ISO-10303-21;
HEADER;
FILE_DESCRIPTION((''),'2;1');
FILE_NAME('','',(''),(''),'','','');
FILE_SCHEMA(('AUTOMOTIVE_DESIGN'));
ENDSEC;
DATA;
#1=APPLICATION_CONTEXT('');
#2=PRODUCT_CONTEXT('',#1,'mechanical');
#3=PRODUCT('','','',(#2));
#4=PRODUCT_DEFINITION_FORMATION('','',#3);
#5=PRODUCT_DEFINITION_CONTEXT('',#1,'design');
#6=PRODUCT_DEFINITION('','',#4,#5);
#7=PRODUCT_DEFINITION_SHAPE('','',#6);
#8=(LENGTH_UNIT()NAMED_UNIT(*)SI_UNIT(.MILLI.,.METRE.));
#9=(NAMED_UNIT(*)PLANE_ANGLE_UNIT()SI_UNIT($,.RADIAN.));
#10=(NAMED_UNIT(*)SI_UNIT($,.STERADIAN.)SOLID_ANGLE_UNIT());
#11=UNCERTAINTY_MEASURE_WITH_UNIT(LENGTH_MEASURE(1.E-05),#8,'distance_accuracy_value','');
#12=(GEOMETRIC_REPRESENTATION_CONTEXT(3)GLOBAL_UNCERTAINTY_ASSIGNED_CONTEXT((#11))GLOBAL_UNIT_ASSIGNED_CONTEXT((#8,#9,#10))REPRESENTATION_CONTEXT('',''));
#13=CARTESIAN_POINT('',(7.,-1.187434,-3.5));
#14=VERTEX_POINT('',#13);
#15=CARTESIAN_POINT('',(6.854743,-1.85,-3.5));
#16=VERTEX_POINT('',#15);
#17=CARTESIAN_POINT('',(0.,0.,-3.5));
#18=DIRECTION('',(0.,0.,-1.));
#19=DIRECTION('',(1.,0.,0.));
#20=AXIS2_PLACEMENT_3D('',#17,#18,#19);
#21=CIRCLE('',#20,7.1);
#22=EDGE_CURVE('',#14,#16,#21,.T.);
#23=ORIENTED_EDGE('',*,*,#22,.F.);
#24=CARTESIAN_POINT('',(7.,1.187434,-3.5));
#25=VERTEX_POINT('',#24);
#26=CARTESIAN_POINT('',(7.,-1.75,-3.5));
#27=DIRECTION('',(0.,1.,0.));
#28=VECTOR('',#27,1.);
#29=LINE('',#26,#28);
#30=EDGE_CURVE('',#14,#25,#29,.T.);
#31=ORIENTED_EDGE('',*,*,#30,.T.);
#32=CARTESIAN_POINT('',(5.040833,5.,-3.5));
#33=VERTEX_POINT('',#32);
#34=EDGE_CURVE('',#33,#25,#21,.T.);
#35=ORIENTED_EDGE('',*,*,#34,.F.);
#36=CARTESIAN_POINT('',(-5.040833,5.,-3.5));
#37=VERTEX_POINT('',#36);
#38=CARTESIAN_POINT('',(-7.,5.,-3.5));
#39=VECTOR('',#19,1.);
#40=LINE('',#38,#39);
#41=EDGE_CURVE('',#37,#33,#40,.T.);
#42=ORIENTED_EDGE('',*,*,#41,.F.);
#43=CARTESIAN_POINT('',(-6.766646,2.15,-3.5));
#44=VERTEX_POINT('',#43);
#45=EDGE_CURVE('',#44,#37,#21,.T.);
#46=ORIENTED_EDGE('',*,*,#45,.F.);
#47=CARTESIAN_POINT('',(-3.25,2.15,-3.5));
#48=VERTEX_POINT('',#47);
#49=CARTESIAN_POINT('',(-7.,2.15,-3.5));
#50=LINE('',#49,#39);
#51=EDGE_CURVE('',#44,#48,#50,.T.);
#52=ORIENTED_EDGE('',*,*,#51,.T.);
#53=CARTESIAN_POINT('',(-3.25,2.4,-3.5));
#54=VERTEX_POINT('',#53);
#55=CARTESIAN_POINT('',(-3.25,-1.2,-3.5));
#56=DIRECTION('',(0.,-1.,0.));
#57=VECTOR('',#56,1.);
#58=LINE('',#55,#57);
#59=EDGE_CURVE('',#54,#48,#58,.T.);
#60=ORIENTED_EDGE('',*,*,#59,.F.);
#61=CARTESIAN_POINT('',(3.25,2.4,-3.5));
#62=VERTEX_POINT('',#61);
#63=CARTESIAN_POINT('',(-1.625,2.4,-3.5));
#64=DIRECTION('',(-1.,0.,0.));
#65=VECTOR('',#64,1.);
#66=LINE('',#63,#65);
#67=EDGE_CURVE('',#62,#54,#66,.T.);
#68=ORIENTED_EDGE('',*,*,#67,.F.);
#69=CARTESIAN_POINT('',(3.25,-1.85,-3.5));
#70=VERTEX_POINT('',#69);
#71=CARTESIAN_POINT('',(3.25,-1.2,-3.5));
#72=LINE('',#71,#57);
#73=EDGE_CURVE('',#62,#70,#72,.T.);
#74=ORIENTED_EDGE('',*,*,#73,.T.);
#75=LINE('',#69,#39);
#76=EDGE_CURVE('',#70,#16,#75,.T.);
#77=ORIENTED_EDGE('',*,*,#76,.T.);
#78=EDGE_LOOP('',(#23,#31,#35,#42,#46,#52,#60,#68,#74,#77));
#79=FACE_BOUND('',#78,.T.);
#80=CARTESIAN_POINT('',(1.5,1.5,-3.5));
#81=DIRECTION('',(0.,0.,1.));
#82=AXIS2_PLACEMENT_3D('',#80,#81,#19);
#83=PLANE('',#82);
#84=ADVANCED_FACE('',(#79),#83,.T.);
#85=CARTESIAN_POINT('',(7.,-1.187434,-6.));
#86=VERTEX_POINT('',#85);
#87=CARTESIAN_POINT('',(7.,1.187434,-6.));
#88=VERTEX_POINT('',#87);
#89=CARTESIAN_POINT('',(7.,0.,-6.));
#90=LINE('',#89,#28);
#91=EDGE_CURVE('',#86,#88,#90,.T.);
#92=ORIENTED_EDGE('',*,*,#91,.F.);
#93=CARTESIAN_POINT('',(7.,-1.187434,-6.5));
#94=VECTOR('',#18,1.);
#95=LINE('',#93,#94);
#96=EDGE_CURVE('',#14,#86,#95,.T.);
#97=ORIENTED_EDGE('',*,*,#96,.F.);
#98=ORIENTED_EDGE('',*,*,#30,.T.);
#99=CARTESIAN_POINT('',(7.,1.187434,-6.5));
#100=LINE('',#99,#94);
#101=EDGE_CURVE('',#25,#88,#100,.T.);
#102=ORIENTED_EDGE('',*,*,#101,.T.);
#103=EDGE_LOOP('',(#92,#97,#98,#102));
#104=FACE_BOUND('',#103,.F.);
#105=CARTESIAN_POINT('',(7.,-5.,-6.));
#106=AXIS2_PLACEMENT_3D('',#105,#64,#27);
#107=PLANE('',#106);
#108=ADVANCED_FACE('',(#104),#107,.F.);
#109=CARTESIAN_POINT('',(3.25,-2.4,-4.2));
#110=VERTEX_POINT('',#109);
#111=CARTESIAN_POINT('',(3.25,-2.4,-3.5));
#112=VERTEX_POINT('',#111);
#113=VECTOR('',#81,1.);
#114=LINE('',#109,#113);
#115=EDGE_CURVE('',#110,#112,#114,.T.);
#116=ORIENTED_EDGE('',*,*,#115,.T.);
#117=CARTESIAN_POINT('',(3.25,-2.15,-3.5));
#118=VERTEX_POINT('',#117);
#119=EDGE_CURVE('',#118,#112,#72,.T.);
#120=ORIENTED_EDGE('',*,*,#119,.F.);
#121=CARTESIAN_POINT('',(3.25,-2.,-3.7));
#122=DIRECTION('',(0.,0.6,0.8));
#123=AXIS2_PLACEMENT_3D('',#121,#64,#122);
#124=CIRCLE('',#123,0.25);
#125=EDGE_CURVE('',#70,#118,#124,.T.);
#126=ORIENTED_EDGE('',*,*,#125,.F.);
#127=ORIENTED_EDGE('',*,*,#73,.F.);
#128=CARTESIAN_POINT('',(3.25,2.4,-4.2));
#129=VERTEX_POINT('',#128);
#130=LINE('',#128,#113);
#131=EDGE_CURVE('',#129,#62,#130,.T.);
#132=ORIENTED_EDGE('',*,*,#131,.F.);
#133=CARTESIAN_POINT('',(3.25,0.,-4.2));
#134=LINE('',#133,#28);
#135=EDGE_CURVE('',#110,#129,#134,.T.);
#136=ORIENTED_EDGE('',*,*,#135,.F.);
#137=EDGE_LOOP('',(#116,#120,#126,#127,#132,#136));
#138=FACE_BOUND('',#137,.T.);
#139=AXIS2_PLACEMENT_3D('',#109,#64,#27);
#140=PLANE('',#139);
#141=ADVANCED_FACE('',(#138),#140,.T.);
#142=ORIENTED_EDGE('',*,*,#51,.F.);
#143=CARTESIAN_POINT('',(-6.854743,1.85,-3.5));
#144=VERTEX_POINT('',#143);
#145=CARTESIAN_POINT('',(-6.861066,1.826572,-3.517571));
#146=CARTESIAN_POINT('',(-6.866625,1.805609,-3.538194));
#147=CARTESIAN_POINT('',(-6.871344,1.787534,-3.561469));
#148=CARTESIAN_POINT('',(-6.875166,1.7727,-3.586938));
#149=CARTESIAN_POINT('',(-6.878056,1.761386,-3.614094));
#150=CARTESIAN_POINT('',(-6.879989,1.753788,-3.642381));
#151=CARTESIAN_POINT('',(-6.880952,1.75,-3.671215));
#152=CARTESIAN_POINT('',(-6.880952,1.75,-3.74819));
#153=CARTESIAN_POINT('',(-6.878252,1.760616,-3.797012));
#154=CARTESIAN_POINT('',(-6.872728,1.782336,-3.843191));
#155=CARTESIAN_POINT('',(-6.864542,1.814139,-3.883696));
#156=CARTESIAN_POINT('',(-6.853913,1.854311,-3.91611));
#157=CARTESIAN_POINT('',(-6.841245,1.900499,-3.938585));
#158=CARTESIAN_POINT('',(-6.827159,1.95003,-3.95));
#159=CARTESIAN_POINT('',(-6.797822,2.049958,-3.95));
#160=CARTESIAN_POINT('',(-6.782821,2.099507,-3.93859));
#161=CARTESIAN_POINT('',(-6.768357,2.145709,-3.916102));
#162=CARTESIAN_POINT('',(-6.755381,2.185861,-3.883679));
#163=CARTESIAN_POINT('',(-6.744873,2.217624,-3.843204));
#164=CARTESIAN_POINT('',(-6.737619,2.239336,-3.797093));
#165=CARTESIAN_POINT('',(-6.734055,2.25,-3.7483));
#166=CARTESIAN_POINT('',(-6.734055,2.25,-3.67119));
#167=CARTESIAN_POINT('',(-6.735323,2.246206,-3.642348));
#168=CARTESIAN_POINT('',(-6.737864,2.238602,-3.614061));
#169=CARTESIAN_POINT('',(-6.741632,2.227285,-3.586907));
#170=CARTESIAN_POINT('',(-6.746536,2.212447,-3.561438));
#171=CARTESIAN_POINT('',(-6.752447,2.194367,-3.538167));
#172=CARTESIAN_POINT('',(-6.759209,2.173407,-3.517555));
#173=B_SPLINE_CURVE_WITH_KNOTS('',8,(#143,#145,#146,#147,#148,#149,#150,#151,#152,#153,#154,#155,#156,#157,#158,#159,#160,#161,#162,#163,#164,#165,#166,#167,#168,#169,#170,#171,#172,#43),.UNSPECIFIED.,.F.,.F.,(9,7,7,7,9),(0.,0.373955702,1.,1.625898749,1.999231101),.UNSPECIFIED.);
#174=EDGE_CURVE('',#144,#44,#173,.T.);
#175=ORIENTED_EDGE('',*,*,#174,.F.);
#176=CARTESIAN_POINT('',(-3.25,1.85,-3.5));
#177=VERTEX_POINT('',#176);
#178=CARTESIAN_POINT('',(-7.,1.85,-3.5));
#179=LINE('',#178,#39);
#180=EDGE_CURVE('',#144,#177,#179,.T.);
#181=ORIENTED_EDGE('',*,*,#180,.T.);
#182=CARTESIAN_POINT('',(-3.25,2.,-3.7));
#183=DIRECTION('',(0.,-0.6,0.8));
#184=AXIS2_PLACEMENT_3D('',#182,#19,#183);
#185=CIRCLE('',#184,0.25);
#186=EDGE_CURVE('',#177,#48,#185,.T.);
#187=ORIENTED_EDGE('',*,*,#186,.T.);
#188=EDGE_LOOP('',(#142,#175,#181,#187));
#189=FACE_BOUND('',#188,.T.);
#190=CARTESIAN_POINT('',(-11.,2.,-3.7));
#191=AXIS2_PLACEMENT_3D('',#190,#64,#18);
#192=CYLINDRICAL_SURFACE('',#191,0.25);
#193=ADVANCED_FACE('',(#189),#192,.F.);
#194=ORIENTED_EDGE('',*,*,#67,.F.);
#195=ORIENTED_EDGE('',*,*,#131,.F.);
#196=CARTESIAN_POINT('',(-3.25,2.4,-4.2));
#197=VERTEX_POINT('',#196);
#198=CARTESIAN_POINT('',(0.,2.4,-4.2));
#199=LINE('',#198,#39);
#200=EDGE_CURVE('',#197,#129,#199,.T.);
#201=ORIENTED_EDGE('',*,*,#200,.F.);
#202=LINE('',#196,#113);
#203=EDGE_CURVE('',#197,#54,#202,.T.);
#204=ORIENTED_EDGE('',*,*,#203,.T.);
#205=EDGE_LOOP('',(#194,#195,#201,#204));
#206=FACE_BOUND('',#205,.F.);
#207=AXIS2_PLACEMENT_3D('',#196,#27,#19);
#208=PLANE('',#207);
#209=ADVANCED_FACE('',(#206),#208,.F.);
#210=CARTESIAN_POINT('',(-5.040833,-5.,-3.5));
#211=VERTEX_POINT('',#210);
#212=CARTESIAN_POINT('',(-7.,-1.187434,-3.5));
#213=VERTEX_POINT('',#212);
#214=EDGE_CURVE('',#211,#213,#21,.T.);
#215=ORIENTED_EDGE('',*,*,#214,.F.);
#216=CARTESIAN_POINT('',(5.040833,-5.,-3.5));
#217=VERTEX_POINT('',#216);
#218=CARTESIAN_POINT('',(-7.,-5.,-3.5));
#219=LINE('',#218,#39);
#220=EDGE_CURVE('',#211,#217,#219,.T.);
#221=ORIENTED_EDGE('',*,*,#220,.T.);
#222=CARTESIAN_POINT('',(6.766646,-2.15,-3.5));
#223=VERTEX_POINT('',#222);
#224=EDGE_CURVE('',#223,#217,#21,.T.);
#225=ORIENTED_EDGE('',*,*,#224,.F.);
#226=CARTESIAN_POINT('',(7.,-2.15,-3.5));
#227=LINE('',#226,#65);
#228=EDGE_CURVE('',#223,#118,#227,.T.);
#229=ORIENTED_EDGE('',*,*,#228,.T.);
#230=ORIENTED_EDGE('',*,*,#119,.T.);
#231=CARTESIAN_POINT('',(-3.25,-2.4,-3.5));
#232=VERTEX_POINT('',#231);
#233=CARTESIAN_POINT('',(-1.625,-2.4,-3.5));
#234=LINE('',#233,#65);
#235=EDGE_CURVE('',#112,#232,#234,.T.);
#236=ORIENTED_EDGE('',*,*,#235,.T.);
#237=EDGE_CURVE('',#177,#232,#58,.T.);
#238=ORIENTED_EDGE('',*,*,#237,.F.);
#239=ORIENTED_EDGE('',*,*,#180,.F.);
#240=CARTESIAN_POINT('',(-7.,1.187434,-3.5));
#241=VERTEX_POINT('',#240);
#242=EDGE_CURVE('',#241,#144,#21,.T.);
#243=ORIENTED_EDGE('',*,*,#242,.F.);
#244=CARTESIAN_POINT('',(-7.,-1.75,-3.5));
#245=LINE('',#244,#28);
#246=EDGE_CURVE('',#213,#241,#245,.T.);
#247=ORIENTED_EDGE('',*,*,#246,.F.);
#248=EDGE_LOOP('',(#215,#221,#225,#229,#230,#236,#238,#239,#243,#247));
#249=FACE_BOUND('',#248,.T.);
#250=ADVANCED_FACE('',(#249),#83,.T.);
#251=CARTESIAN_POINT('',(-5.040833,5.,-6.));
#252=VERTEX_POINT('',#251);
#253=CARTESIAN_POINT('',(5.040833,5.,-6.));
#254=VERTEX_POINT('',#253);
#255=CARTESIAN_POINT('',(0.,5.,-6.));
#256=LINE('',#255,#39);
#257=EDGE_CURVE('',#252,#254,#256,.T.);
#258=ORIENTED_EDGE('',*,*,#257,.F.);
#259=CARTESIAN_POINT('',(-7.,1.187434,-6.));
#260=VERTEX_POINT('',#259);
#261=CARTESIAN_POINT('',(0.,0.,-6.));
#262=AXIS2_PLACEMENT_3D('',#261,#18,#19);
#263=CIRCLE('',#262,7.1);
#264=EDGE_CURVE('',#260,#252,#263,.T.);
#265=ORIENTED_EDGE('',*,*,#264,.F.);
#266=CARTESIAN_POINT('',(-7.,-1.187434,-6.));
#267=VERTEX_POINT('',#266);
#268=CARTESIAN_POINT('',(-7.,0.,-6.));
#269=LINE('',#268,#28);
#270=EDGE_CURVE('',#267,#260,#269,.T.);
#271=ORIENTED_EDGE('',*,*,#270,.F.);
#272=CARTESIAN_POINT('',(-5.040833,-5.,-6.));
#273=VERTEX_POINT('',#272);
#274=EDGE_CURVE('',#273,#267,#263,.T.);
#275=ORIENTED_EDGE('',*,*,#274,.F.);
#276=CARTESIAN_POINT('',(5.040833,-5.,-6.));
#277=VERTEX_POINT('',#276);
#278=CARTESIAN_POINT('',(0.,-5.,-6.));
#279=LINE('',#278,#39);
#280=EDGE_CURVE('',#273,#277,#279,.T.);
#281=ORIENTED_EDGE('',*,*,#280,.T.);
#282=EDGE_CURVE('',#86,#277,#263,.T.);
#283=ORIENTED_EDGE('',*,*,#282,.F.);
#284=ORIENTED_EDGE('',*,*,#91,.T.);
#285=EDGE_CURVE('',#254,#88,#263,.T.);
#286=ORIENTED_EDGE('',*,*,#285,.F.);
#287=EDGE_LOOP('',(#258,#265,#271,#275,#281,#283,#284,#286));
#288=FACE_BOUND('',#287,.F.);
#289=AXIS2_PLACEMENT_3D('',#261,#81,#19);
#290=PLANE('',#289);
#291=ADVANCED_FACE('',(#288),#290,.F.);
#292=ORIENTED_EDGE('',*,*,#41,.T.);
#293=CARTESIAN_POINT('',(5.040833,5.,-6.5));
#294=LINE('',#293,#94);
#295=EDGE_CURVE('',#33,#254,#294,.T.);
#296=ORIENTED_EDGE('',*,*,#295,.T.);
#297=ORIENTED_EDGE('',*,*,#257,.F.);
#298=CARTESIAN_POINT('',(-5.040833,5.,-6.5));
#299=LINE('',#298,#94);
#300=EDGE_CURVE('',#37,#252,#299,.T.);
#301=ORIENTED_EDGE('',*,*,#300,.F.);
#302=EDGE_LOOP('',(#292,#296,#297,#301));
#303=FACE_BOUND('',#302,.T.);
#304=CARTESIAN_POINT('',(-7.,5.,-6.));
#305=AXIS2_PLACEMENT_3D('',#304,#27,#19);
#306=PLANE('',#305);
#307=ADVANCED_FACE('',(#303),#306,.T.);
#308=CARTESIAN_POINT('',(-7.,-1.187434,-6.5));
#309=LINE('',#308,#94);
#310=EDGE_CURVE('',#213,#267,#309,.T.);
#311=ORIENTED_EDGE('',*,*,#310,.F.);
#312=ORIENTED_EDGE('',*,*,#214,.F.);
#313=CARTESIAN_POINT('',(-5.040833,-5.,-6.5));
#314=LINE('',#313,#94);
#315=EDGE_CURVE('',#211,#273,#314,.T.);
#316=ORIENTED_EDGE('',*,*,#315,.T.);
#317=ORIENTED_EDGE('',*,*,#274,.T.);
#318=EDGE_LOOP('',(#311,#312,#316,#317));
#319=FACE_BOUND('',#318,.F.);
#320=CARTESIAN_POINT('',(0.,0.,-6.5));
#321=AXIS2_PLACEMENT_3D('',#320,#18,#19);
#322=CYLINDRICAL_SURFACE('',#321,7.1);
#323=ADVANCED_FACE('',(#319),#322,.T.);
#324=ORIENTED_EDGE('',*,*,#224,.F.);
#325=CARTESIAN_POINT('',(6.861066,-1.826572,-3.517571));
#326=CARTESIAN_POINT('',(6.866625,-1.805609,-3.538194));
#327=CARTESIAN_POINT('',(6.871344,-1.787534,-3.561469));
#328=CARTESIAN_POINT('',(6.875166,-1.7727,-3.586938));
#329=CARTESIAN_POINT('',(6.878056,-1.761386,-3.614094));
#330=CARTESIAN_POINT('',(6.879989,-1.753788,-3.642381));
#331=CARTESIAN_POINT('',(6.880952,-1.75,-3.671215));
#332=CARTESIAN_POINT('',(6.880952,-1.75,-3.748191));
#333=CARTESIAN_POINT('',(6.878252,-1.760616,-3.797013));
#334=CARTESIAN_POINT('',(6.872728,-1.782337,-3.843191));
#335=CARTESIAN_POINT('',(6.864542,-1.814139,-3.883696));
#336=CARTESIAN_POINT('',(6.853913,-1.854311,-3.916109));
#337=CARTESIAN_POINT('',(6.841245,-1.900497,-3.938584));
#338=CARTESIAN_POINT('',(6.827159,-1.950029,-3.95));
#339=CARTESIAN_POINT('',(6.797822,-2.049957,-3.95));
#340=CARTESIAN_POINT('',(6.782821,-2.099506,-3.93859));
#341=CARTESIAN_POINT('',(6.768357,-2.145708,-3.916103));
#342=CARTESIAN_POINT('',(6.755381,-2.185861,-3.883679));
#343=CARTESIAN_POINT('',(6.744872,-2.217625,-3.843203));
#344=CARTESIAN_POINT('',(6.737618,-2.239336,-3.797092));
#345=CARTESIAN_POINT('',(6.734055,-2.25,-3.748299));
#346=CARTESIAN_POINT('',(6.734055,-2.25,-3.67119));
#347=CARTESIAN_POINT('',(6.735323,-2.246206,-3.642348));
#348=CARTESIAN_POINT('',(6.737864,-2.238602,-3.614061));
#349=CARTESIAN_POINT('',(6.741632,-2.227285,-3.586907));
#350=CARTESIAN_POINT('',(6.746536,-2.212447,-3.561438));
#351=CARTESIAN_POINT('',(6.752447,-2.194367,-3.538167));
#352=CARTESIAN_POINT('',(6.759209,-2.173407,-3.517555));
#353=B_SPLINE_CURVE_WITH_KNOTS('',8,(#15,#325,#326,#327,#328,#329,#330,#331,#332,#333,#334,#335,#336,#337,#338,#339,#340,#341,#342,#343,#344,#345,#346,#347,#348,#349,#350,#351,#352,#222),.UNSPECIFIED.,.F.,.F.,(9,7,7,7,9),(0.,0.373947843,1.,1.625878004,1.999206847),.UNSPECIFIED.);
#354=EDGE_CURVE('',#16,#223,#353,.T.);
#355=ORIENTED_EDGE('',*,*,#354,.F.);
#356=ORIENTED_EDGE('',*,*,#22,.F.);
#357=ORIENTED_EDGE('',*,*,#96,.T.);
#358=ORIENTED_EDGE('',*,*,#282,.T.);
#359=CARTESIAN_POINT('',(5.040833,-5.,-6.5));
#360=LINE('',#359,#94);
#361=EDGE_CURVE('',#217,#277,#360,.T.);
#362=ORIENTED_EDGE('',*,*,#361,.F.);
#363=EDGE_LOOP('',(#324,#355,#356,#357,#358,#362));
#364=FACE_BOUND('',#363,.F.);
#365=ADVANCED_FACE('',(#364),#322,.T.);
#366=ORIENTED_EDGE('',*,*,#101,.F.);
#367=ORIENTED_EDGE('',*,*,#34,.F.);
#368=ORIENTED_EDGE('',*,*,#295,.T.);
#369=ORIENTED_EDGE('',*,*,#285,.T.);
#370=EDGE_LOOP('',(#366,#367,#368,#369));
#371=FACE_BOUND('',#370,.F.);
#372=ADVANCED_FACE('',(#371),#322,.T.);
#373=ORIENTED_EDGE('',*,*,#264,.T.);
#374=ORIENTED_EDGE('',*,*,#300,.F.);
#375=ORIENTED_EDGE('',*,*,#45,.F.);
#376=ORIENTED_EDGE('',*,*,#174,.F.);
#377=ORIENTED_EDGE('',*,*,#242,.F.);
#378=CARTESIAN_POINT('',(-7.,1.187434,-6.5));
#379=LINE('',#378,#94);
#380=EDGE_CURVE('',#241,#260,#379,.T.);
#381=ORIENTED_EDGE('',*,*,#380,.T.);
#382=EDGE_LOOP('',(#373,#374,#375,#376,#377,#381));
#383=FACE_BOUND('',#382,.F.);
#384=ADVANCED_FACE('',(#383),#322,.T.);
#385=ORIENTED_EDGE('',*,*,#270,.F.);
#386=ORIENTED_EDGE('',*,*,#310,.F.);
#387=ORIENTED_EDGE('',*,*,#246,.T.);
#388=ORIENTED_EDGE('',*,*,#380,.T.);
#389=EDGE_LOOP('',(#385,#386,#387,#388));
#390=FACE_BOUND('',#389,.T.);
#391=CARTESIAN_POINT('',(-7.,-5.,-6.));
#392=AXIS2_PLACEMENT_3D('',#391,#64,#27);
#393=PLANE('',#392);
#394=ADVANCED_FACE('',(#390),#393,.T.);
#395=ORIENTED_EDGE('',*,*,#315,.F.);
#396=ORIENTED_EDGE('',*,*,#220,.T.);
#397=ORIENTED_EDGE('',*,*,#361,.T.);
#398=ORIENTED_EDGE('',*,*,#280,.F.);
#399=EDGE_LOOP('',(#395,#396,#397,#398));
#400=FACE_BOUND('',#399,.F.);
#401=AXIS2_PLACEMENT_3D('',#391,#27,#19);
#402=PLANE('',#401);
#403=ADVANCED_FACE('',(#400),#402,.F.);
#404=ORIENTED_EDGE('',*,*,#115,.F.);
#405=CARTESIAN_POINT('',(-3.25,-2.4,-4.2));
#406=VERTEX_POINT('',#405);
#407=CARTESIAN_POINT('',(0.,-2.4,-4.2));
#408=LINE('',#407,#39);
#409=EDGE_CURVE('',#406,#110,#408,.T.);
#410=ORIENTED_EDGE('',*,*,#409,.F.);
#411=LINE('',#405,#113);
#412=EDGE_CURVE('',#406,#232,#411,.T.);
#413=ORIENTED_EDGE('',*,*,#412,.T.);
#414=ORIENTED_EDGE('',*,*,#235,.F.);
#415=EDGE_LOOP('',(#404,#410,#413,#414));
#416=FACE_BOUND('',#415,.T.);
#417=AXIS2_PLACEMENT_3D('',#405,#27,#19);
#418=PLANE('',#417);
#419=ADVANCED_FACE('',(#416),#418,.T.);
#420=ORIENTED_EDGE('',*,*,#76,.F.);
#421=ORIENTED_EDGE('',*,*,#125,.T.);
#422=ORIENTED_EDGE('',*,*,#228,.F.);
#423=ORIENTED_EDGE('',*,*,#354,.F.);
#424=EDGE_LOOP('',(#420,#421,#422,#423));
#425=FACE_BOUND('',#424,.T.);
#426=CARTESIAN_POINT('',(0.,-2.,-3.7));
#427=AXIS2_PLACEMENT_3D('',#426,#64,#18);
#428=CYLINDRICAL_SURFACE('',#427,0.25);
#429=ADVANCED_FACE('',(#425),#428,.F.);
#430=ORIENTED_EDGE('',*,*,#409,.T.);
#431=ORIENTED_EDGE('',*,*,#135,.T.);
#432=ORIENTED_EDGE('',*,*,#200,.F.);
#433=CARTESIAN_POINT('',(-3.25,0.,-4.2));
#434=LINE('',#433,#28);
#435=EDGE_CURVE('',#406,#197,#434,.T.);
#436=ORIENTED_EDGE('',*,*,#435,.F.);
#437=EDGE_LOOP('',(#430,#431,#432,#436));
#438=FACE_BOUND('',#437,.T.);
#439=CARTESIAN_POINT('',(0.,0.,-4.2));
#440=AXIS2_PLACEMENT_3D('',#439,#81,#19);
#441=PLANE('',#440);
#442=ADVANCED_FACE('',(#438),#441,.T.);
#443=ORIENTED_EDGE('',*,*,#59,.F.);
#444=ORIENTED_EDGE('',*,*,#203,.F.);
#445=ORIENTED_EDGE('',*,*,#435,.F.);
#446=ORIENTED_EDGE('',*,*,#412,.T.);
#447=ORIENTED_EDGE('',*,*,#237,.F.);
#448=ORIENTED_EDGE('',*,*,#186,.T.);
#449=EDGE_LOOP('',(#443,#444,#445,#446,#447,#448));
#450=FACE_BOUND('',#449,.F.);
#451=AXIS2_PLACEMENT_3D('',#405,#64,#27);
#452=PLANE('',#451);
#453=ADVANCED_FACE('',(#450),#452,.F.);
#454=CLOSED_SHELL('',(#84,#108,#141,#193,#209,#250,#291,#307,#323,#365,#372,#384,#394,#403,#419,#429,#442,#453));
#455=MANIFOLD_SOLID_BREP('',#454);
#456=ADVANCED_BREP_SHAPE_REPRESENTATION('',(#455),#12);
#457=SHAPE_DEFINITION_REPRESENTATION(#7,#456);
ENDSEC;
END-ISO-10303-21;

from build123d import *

# Parameters (mm, degrees)
CYLINDER008_R           = 7.1
CYLINDER008_DEPTH       = 10
BOX005_W                = 21
BOX005_H                = 17
BOX005_DEPTH            = 8
CYLINDER005_R           = 2.5
CYLINDER005_DEPTH       = 10
CYLINDER004_R           = 0.25
CYLINDER004_DEPTH       = 10
CYLINDER004_PITCH_ANGLE = 90
CYLINDER003_R           = 0.25
CYLINDER003_DEPTH       = 10
CYLINDER003_PITCH_ANGLE = 90
BOX002_W                = 6.5
BOX002_H                = 4.8
BOX002_DEPTH            = 1
BOX003_W                = 10
BOX003_H                = 12
BOX003_DEPTH            = 3
BOX001_W                = 14
BOX001_H                = 10
BOX001_DEPTH            = 7.25


with BuildPart() as cylinder008:
    # Cylinder008 → Cylinder008 (new body)
    with BuildSketch(Plane.XY.offset(-6.5)):
        Circle(CYLINDER008_R)
    extrude(amount=CYLINDER008_DEPTH)


with BuildPart() as cube005:
    # Box005 → Box005 (new body)
    with BuildSketch(Plane(origin=(-9, -7, -3.5), x_dir=(1, 0, 0), z_dir=(0, 0, 1))):
        with Locations((10.5, 8.5)):
            Rectangle(BOX005_W, BOX005_H)
    extrude(amount=BOX005_DEPTH)


with BuildPart() as cylinder005:
    # Cylinder005 → Cylinder005 (new body)
    with BuildSketch(Plane.XY.offset(0.5)):
        Circle(CYLINDER005_R)
    extrude(amount=CYLINDER005_DEPTH)


with BuildPart() as fusion004:
    # Sphere001 → Sphere001 (revolve)
    with BuildSketch(Plane.XZ):
        with BuildLine():
            ThreePointArc((0, -3.1), (3.1, 0), (0, 3.1))
            Line((0, 3.1), (0, -3.1))
        make_face()
    revolve(axis=Axis((0, 0, 0), (0, 0, 1)))

    # Fusion004: union Cylinder005
    add(cylinder005.part)


with BuildPart() as cylinder004:
    # Cylinder004 → Cylinder004 (new body)
    with BuildSketch(Plane.XY):
        Circle(CYLINDER004_R)
    extrude(amount=CYLINDER004_DEPTH)


with BuildPart() as cylinder004_1:
    # Cylinder004 pitch: moved
    add(cylinder004.part.rotate(Axis((0, 0, 0), (0, 1, 0)), CYLINDER004_PITCH_ANGLE))


with BuildPart() as cylinder004_2:
    # Cylinder004 placement: moved
    add(cylinder004_1.part.moved(Location((0, -2, -3.7))))


with BuildPart() as fusion:
    # Cylinder003 → Cylinder003 (new body)
    with BuildSketch(Plane.XY):
        Circle(CYLINDER003_R)
    extrude(amount=CYLINDER003_DEPTH)


with BuildPart() as fusion_1:
    # Cylinder003 pitch: moved
    add(fusion.part.rotate(Axis((0, 0, 0), (0, 1, 0)), CYLINDER003_PITCH_ANGLE))


with BuildPart() as fusion_2:
    # Cylinder003 placement: moved
    add(fusion_1.part.moved(Location((-11, 2, -3.7))))

    # Fusion: union Cylinder004
    add(cylinder004_2.part)


with BuildPart() as fusion001:
    # Box002 → Box002 (new body)
    with BuildSketch(Plane(origin=(-3.25, -2.4, -4.2), x_dir=(1, 0, 0), z_dir=(0, 0, 1))):
        with Locations((3.25, 2.4)):
            Rectangle(BOX002_W, BOX002_H)
    extrude(amount=BOX002_DEPTH)

    # Fusion001: union Fusion
    add(fusion_2.part)


with BuildPart() as cube003:
    # Box003 → Box003 (new body)
    with BuildSketch(Plane(origin=(-5, -6, -3.5), x_dir=(1, 0, 0), z_dir=(0, 0, 1))):
        with Locations((5, 6)):
            Rectangle(BOX003_W, BOX003_H)
    extrude(amount=BOX003_DEPTH)


with BuildPart() as switch_plate:
    # Box001 → Box001 (new body)
    with BuildSketch(Plane(origin=(-7, -5, -6), x_dir=(1, 0, 0), z_dir=(0, 0, 1))):
        with Locations((7, 5)):
            Rectangle(BOX001_W, BOX001_H)
    extrude(amount=BOX001_DEPTH)

    # Cut: cut Cube003
    add(cube003.part, mode=Mode.SUBTRACT)

    # Cut001: cut Fusion001
    add(fusion001.part, mode=Mode.SUBTRACT)

    # Cut003: cut Fusion004
    add(fusion004.part, mode=Mode.SUBTRACT)

    # Cut004: cut Cube005
    add(cube005.part, mode=Mode.SUBTRACT)

    # Common002: intersect Cylinder008
    add(cylinder008.part, mode=Mode.INTERSECT)


solid = switch_plate.part
